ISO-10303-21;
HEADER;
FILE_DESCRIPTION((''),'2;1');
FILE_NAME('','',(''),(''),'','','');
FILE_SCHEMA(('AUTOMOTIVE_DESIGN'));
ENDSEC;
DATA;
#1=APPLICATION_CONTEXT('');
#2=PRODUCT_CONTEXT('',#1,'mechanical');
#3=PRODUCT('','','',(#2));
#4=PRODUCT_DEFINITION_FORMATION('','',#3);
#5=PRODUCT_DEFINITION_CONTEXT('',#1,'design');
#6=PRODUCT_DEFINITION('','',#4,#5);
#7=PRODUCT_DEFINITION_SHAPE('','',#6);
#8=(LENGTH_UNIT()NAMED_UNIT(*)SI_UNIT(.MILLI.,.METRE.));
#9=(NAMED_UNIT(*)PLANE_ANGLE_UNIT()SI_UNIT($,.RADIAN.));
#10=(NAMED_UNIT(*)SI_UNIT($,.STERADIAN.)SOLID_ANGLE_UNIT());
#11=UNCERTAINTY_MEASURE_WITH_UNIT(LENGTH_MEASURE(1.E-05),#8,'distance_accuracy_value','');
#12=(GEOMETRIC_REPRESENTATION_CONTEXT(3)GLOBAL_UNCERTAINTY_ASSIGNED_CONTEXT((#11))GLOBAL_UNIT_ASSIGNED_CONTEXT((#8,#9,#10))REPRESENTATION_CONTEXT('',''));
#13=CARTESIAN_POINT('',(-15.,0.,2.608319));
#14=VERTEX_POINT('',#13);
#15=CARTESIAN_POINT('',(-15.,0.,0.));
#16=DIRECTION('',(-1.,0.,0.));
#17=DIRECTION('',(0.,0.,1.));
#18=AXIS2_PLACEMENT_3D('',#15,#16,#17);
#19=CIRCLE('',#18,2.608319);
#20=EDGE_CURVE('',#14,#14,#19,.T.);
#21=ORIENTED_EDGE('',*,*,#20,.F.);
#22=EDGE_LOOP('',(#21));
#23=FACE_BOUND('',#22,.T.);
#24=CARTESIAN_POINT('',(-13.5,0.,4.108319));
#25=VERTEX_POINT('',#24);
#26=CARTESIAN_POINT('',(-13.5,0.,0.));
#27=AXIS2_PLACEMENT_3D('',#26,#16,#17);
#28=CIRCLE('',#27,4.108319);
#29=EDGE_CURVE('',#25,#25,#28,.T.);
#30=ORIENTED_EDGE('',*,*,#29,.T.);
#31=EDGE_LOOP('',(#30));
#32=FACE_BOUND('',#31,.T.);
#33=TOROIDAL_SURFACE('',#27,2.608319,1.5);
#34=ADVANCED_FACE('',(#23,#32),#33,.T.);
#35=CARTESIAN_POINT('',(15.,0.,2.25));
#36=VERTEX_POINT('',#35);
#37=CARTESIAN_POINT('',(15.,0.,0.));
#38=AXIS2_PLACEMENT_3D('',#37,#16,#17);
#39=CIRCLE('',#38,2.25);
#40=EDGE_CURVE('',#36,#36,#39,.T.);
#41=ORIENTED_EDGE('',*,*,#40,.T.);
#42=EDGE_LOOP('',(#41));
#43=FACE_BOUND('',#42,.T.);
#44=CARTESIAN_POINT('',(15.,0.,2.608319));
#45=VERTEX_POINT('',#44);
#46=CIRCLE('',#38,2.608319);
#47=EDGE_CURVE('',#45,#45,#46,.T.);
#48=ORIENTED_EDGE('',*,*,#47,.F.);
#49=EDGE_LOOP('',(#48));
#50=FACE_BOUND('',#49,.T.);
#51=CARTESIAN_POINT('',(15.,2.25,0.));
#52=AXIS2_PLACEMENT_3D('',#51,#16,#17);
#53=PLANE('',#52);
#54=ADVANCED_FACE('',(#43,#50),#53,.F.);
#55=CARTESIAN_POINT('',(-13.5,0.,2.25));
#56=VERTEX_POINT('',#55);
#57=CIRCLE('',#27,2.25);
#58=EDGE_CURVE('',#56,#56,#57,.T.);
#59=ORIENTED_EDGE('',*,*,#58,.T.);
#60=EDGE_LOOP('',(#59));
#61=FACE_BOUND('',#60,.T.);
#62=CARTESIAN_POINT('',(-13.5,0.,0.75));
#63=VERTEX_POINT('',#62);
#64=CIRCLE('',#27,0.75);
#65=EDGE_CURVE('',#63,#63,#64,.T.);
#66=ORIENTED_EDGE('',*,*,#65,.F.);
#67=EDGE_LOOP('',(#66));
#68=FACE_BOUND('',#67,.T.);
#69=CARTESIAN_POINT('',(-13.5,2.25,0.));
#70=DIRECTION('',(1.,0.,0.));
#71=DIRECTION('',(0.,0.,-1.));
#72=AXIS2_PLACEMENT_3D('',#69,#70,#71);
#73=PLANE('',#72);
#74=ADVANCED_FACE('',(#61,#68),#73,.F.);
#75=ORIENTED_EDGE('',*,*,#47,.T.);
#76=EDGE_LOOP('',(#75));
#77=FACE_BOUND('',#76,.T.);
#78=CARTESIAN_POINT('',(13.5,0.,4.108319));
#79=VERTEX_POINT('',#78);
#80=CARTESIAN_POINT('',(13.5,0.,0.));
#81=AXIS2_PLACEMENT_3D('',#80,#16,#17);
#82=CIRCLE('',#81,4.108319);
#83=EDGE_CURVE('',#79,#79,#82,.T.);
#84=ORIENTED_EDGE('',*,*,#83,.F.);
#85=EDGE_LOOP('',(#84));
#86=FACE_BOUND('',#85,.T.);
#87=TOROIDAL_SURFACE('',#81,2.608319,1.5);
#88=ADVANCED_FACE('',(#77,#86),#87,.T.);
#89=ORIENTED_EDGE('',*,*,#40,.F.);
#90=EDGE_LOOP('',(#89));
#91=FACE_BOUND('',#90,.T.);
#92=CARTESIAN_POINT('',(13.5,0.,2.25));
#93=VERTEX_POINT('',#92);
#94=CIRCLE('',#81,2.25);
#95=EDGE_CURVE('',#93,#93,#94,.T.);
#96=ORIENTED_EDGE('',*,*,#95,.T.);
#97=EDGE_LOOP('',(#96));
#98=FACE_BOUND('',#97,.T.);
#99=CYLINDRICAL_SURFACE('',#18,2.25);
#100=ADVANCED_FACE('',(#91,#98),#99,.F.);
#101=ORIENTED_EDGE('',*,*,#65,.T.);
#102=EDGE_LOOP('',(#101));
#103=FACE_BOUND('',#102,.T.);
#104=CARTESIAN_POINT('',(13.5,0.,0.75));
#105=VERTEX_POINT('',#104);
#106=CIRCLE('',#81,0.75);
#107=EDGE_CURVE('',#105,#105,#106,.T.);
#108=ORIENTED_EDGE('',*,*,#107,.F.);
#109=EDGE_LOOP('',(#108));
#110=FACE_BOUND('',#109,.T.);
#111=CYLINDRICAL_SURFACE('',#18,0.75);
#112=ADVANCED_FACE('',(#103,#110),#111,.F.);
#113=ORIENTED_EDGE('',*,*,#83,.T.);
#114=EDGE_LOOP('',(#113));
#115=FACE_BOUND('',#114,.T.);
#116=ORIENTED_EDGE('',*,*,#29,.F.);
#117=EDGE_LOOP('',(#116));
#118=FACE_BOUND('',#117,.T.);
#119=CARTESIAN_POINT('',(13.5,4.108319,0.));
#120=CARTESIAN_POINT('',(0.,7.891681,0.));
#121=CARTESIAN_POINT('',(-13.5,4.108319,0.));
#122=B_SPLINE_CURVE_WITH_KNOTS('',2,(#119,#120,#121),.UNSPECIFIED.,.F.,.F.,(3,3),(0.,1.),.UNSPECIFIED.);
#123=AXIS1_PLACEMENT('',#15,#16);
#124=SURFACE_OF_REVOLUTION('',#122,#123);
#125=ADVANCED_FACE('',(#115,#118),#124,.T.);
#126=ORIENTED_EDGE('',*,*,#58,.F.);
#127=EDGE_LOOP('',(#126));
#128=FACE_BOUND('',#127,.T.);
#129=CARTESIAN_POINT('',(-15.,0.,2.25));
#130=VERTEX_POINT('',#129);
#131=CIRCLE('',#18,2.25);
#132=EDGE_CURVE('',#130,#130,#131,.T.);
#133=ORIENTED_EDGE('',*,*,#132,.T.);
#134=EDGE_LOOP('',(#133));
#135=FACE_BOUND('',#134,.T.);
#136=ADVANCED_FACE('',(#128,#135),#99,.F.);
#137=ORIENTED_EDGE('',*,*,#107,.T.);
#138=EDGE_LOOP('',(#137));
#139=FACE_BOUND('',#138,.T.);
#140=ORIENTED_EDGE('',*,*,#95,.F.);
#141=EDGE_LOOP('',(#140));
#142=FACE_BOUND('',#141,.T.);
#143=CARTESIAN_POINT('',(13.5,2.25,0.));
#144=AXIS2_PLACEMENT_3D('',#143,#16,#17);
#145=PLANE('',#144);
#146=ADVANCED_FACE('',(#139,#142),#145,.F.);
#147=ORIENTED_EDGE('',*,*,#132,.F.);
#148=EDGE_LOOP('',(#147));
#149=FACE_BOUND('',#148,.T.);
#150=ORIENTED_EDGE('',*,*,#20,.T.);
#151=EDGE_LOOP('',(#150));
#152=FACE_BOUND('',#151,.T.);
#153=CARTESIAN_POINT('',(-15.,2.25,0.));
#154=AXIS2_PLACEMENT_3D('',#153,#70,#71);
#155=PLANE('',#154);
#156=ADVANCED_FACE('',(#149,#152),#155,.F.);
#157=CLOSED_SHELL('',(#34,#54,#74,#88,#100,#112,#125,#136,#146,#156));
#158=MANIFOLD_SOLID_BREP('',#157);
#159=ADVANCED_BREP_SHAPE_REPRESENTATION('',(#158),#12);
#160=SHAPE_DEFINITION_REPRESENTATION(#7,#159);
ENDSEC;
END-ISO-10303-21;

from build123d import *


with BuildPart() as part:
    # Sketch2 → Revolve1 (revolve)
    with BuildSketch(Plane.XY, mode=Mode.PRIVATE) as revolve1_sk:
        with BuildLine():
            Line((13.5, 0.75), (-13.5, 0.75))
            Line((-13.5, 0.75), (-13.5, 2.25))
            Line((-13.5, 2.25), (-15, 2.25))
            Line((-15, 2.25), (-15, 2.608319309))
            ThreePointArc((-15, 2.608319309), (-14.560660172, 3.668979481), (-13.5, 4.108319309))
            add(Edge.make_bspline(
                [(-13.5, 4.108319309), (0, 7.891680691), (13.5, 4.108319309)],
                knots=[0, 0, 0, 1, 1, 1], degree=2))
            ThreePointArc((13.5, 4.108319309), (14.560660172, 3.668979481), (15, 2.608319309))
            Line((15, 2.608319309), (15, 2.25))
            Line((15, 2.25), (13.5, 2.25))
            Line((13.5, 2.25), (13.5, 0.75))
        make_face()
    revolve(revolve1_sk.sketch.rotate(Axis((-15, 0, 0), (1, 0, 0)), 90), axis=Axis((-15, 0, 0), (1, 0, 0)))


solid = part.part
